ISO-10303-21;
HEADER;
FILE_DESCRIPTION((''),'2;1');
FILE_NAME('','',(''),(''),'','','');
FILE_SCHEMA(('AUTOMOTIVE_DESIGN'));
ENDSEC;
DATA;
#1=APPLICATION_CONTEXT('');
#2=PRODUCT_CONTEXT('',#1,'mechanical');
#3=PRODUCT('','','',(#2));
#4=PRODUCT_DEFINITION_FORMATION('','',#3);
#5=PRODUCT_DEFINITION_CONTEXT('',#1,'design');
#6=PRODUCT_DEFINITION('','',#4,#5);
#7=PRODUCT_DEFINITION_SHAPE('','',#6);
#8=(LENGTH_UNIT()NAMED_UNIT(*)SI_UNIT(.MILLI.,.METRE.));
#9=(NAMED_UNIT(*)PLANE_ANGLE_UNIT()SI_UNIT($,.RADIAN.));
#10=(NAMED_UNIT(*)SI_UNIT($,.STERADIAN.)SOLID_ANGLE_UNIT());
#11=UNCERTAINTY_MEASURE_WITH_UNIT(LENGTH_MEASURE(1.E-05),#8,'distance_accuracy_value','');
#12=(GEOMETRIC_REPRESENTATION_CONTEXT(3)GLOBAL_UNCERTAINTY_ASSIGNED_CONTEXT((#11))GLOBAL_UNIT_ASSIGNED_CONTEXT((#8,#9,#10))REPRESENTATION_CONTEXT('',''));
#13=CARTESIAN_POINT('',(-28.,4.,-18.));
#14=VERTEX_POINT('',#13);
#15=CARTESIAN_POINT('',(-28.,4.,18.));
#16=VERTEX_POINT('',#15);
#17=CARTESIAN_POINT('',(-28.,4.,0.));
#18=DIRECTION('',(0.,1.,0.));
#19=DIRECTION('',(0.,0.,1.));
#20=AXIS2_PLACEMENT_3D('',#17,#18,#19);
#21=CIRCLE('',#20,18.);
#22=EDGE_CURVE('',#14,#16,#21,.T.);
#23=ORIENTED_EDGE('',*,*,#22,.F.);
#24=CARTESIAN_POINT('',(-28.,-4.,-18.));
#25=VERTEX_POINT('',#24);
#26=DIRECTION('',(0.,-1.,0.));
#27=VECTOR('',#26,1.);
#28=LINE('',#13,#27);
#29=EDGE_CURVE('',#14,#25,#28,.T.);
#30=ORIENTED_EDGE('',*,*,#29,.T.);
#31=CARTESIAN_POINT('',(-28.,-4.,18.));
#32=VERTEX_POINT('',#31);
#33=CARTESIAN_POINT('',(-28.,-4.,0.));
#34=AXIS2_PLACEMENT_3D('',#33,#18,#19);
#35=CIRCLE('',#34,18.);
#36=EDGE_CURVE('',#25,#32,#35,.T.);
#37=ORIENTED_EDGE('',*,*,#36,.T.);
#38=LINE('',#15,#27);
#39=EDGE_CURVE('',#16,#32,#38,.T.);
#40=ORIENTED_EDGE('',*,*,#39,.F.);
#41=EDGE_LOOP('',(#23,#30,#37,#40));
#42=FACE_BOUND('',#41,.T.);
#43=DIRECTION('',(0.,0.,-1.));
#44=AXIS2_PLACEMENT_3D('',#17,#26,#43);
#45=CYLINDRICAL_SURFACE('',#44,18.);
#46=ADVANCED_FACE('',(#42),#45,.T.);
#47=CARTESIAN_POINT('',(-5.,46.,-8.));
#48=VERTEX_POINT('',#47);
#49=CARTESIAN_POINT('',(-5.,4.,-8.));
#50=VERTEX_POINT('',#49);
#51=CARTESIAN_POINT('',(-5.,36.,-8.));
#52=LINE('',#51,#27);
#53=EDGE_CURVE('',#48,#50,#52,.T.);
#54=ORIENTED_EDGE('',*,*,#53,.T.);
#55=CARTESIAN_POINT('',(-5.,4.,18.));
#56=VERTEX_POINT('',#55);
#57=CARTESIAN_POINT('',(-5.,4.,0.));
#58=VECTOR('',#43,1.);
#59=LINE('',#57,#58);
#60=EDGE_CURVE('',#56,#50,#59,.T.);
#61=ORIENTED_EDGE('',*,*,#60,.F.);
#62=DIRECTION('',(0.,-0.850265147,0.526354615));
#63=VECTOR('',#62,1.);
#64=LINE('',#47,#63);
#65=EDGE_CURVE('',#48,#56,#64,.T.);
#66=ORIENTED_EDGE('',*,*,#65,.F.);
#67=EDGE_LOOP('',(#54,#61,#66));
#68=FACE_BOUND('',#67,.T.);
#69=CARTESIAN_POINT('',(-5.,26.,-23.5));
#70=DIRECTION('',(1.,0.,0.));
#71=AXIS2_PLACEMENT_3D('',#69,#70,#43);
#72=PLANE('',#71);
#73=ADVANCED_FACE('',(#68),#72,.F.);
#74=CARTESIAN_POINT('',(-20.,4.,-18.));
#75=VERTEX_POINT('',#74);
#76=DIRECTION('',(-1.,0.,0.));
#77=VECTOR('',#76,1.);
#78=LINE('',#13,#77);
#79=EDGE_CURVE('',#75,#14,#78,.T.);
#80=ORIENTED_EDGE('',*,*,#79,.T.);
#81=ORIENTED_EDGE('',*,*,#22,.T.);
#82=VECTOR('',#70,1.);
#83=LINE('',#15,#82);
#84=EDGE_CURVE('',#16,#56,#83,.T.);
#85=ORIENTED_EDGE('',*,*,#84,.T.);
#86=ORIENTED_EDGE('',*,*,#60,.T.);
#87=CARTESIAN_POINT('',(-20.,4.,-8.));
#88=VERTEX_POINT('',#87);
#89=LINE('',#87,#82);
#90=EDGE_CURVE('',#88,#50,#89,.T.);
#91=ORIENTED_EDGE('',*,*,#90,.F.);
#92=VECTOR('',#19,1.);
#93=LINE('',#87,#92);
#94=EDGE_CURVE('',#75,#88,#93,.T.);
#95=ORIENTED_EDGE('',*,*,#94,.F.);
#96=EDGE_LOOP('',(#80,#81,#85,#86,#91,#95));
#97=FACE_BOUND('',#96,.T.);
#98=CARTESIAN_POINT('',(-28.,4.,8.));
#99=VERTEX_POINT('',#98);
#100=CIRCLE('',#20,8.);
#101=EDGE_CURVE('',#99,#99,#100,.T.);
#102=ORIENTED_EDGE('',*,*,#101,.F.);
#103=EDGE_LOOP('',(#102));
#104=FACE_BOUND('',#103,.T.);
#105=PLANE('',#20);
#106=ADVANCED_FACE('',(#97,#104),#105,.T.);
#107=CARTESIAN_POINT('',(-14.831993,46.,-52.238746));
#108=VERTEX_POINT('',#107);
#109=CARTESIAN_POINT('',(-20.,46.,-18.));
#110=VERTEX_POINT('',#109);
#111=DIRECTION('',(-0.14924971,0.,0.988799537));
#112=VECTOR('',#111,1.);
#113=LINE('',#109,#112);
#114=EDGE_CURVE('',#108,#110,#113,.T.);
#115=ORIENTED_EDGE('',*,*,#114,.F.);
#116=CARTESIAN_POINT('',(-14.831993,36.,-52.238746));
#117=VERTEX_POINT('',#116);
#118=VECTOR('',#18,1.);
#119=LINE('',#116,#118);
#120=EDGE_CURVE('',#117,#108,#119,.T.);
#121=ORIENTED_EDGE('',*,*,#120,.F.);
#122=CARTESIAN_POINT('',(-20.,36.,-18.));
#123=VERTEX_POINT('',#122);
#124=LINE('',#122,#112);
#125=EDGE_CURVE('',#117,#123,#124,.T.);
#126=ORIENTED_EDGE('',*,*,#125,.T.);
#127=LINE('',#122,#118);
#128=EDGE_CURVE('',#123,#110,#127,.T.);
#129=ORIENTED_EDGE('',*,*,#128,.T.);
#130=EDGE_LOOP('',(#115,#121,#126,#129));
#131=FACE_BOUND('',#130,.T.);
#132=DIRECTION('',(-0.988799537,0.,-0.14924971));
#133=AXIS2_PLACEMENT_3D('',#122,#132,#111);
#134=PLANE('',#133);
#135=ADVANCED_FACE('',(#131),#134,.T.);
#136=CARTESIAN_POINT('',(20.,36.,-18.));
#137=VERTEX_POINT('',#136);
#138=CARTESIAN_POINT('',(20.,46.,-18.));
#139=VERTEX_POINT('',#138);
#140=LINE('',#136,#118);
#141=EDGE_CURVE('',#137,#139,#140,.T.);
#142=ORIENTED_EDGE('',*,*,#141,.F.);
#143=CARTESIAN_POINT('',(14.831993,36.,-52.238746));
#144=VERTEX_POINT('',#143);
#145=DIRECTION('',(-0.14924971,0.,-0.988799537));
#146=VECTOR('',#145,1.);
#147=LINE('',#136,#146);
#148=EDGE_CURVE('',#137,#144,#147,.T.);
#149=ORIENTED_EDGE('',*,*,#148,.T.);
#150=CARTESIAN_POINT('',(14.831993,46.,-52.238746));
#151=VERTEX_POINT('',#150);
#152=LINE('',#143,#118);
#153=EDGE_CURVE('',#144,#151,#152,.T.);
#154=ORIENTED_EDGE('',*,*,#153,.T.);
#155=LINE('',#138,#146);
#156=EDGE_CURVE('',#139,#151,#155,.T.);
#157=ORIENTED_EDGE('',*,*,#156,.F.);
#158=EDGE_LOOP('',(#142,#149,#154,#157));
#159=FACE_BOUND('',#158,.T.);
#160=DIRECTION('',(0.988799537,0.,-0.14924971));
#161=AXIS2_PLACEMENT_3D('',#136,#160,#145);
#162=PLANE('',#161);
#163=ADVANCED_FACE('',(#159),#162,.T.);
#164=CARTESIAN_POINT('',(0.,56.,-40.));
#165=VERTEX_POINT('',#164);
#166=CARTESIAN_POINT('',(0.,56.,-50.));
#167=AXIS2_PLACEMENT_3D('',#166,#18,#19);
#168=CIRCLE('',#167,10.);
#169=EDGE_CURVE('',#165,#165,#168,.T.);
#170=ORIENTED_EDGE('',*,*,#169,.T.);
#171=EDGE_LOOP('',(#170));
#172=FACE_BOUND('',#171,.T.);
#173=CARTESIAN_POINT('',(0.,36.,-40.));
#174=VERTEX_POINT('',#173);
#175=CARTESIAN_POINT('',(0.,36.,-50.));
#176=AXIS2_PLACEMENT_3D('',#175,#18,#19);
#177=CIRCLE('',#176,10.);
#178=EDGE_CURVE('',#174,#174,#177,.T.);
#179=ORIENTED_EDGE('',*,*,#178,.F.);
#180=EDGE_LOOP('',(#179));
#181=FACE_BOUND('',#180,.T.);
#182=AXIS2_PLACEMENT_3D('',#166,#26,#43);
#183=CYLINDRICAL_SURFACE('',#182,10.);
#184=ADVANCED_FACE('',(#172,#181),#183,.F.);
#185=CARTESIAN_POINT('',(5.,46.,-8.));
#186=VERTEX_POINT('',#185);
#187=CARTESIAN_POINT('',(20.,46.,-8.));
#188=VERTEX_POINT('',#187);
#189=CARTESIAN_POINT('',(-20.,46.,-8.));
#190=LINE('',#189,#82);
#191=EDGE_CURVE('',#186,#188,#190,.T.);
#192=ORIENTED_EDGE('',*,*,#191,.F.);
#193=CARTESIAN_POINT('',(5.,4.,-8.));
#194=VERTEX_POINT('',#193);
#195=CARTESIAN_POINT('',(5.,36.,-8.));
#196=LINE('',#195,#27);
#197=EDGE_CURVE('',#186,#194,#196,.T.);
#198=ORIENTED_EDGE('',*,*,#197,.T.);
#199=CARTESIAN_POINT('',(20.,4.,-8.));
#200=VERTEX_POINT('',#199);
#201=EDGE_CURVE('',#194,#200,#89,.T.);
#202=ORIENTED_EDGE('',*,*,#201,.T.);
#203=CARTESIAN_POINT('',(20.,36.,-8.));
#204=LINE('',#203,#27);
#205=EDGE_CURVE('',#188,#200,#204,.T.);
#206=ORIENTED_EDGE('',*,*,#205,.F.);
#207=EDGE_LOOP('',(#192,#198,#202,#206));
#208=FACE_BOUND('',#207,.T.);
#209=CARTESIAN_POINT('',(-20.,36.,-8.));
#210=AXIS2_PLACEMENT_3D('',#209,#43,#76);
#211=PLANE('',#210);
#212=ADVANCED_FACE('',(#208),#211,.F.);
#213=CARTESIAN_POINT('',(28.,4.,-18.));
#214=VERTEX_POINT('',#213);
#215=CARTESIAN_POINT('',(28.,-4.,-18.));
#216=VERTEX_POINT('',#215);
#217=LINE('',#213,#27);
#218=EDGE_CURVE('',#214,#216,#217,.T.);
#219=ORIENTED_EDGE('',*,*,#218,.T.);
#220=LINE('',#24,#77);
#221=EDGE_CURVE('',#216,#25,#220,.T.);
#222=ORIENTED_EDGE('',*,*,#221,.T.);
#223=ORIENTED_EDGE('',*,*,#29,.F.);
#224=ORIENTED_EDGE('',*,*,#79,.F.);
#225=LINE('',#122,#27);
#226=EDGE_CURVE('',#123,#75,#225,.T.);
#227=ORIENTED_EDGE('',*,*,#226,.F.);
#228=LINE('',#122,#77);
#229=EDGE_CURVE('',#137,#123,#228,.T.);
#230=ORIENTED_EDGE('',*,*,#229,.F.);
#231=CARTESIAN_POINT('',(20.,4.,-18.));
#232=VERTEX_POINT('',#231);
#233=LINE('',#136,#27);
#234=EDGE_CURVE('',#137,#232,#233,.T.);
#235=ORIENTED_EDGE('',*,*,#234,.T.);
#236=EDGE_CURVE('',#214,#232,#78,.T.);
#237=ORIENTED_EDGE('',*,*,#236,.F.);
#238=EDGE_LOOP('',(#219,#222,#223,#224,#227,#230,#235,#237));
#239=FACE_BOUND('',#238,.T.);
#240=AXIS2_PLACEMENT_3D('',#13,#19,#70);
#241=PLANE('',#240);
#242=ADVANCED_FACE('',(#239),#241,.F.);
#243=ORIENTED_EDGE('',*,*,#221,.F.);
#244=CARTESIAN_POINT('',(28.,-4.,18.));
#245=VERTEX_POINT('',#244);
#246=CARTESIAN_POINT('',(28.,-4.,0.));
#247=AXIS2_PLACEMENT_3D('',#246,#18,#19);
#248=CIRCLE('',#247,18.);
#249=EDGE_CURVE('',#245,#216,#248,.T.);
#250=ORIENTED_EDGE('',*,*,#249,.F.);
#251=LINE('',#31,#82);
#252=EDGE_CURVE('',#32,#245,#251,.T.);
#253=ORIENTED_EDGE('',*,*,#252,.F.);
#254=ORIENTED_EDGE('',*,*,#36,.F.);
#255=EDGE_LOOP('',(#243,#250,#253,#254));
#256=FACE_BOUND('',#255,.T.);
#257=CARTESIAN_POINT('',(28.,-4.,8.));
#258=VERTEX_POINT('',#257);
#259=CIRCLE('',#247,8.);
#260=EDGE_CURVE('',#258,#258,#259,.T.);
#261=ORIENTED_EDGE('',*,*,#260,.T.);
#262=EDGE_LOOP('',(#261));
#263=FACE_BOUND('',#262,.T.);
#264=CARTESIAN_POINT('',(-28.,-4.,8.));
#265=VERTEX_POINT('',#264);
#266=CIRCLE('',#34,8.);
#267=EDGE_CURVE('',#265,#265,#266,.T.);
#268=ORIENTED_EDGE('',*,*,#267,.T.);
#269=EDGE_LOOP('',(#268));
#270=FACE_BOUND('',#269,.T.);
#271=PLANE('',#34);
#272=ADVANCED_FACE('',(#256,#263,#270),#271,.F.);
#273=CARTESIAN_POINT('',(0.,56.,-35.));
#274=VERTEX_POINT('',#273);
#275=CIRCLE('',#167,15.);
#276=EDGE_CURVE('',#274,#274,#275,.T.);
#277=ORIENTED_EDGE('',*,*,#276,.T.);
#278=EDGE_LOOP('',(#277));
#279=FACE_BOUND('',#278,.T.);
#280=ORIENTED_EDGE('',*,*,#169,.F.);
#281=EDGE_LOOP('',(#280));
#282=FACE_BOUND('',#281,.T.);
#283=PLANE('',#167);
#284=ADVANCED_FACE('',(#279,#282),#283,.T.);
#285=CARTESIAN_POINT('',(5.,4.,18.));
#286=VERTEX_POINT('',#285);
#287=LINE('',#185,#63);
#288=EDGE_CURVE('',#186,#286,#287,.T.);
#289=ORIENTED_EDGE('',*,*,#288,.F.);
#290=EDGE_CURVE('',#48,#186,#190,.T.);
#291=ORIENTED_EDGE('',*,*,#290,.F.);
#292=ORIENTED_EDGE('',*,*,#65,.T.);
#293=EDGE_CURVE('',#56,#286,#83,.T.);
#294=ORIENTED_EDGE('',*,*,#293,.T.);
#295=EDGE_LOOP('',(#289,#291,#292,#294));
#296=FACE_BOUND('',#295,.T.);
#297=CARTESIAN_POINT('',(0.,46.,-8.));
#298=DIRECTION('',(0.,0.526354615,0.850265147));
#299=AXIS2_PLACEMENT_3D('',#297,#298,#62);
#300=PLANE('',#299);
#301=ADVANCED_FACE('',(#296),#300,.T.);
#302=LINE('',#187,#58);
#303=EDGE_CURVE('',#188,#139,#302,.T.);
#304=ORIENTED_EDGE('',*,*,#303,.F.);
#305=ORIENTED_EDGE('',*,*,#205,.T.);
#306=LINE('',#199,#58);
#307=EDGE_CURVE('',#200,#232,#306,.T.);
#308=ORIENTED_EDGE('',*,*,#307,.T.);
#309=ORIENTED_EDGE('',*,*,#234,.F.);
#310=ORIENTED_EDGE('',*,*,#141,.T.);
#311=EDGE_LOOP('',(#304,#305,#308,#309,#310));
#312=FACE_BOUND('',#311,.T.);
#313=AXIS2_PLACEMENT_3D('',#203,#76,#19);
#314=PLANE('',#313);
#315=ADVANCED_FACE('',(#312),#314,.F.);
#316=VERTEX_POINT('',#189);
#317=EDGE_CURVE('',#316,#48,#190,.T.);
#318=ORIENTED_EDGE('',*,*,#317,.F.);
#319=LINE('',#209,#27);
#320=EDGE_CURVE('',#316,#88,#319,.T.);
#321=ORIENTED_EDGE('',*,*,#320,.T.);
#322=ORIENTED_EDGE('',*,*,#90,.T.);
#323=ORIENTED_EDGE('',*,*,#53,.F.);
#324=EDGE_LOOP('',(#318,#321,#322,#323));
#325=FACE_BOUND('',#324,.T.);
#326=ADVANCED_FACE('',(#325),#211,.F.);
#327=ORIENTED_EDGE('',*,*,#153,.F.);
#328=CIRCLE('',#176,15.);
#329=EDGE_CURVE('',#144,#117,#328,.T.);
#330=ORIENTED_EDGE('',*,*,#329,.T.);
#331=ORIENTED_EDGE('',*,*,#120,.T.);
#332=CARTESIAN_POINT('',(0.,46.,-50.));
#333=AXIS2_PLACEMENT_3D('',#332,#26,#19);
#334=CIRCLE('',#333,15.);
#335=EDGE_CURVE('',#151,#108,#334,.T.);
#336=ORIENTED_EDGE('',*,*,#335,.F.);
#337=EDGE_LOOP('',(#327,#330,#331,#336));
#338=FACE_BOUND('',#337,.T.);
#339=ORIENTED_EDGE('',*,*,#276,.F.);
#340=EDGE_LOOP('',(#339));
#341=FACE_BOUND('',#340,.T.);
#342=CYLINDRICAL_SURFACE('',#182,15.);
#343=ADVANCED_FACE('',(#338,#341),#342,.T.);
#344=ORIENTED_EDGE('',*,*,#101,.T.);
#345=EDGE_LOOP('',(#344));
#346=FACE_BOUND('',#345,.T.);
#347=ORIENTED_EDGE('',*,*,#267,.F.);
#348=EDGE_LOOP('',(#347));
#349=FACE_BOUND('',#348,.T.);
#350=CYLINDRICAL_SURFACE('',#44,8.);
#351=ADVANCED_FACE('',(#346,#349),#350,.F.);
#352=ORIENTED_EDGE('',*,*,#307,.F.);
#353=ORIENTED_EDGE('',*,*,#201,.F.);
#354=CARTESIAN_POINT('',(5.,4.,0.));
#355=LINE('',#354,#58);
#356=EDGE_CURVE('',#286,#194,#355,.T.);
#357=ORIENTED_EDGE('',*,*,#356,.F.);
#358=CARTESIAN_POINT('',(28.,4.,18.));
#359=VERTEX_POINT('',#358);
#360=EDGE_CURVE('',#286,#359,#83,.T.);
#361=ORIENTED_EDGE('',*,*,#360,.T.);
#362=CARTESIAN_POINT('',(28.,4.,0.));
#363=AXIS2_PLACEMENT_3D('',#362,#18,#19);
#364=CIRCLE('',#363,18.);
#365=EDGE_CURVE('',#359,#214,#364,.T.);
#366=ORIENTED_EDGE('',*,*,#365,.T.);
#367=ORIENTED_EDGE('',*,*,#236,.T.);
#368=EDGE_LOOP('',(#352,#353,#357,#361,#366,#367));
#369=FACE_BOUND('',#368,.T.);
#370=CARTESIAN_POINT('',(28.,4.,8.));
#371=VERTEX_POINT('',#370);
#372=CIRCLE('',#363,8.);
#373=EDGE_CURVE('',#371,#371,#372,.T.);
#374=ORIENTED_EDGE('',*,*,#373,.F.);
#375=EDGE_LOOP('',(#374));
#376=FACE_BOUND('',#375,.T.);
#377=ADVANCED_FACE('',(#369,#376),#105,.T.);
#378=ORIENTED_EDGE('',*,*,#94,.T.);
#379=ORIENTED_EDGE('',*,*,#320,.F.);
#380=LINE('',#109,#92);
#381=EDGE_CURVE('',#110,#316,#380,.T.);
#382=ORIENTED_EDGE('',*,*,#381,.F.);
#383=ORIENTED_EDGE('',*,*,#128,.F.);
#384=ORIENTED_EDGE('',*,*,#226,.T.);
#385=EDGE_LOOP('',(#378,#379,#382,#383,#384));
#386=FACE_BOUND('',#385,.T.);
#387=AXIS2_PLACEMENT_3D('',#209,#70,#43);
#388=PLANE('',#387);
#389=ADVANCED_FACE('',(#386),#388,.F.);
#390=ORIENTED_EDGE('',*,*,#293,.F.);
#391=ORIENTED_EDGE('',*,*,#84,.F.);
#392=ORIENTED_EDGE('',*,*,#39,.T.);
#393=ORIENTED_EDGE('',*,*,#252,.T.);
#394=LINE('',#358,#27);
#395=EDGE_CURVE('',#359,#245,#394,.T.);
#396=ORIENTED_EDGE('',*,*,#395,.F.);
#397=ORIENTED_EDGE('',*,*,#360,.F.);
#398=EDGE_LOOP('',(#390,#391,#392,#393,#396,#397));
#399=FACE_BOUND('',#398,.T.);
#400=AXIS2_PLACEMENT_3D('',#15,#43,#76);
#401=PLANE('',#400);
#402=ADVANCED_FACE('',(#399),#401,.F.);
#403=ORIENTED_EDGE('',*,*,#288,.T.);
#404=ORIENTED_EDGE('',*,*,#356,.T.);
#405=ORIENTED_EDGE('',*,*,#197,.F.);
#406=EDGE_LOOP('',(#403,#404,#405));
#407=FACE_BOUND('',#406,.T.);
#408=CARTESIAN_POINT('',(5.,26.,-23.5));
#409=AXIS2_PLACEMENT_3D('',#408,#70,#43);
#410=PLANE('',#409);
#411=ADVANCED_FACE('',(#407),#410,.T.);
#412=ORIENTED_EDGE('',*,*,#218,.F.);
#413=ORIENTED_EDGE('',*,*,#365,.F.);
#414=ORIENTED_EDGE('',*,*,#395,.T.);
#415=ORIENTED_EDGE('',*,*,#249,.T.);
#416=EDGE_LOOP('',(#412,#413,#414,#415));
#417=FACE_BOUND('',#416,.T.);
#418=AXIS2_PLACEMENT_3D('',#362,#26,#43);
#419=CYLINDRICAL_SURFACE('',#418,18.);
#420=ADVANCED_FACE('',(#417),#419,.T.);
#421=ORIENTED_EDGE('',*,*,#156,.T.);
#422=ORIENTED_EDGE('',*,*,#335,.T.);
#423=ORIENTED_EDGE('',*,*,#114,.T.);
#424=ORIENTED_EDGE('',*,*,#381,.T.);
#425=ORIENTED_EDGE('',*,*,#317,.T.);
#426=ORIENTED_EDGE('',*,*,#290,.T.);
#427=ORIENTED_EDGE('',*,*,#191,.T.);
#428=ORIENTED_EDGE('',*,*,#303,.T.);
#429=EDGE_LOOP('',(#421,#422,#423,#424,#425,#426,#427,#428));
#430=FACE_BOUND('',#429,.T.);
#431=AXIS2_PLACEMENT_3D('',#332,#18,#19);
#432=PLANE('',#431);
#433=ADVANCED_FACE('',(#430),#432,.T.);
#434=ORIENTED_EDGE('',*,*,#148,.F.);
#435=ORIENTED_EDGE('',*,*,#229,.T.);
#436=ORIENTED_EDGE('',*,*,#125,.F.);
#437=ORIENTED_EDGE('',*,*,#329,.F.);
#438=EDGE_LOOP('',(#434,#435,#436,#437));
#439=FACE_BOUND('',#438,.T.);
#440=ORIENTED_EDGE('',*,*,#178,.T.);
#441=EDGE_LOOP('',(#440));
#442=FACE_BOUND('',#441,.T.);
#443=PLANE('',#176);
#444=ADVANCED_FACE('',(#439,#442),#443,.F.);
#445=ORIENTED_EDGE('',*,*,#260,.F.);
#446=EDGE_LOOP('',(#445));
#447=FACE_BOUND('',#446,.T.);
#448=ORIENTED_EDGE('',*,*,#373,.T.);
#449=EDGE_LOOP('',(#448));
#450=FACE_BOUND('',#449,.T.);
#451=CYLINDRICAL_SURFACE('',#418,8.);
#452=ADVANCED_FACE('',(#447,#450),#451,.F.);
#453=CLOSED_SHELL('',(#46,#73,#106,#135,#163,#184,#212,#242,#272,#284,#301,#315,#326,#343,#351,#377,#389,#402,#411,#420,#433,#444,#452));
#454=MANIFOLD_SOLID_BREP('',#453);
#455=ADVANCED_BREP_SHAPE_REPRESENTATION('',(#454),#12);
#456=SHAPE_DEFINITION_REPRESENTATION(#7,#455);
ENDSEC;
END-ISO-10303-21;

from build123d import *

# Parameters (mm, degrees)
SKETCH1_R           = 8
BOSS_EXTRUDE1_DEPTH = 4
SKETCH2_W           = 40
SKETCH2_H           = 10
BOSS_EXTRUDE2_DEPTH = 32
SKETCH3_R           = 15
SKETCH3_R_2         = 10
BOSS_EXTRUDE3_DEPTH = 10
BOSS_EXTRUDE4_DEPTH = 10
RIB6_REACH          = 99.35
SKETCH5_WALL_W      = 246.096125016
SKETCH5_WALL_H      = 10


with BuildPart() as part:
    # Sketch1 → Boss-Extrude1 (new, symmetric)
    with BuildSketch(Plane(origin=(0, 0, 0), x_dir=(1, 0, 0), z_dir=(0, 1, 0))):
        with BuildLine():
            Line((-28, 18), (28, 18))
            ThreePointArc((28, 18), (46, 0), (28, -18))
            Line((28, -18), (-28, -18))
            ThreePointArc((-28, -18), (-46, 0), (-28, 18))
        make_face()
        with Locations(Location((-28, 0, 0), (0, 0, 270))):
            Circle(SKETCH1_R, mode=Mode.SUBTRACT)
        with Locations(Location((28, 0, 0), (0, 0, 270))):
            Circle(SKETCH1_R, mode=Mode.SUBTRACT)
    extrude(amount=BOSS_EXTRUDE1_DEPTH, both=True)

    # Sketch2 → Boss-Extrude2 (add)
    with BuildSketch(Plane(origin=(0, 4, 0), x_dir=(1, 0, 0), z_dir=(0, 1, 0))):
        with Locations((0, 13)):
            Rectangle(SKETCH2_W, SKETCH2_H)
    extrude(amount=BOSS_EXTRUDE2_DEPTH)



with BuildPart() as body_2:
    # Sketch3 → Boss-Extrude3 (new, symmetric)
    with BuildSketch(Plane(origin=(0, 46, 0), x_dir=(1, 0, 0), z_dir=(0, 1, 0))):
        with Locations(Location((0, 50, 0), (0, 0, 270))):
            Circle(SKETCH3_R)
        with Locations(Location((0, 50, 0), (0, 0, 270))):
            Circle(SKETCH3_R_2, mode=Mode.SUBTRACT)
    extrude(amount=BOSS_EXTRUDE3_DEPTH, both=True)


with BuildPart() as part_1:
    add(part.part)

    add(body_2.part)  # Boss-Extrude4 merges body 2
    # Sketch4 → Boss-Extrude4 (add)
    with BuildSketch(Plane(origin=(0, 46, 0), x_dir=(1, 0, 0), z_dir=(0, 1, 0))):
        with BuildLine():
            Line((20, 8), (20, 18))
            Line((20, 18), (14.831993052, 52.238745657))
            ThreePointArc((14.831993052, 52.238745657), (0, 35), (-14.831993052, 52.238745657))
            Line((-14.831993052, 52.238745657), (-20, 18))
            Line((-20, 18), (-20, 8))
            Line((-20, 8), (20, 8))
        make_face()
    extrude(amount=-BOSS_EXTRUDE4_DEPTH)

    # Sketch5 wall → Rib6 (add, up to next)
    with BuildSketch(Plane(origin=(0, 25, 5), x_dir=(0, -0.850265146688, 0.526354614616), z_dir=(0, -0.526354614616, -0.850265146688)), mode=Mode.PRIVATE) as rib6_sk1:
        Rectangle(SKETCH5_WALL_W, SKETCH5_WALL_H)
    rib6_tool1 = extrude(rib6_sk1.sketch, amount=RIB6_REACH, mode=Mode.PRIVATE) - part_1.part
    add(rib6_tool1.solids().sort_by_distance((0, 25, 5))[0])


solid = part_1.part
